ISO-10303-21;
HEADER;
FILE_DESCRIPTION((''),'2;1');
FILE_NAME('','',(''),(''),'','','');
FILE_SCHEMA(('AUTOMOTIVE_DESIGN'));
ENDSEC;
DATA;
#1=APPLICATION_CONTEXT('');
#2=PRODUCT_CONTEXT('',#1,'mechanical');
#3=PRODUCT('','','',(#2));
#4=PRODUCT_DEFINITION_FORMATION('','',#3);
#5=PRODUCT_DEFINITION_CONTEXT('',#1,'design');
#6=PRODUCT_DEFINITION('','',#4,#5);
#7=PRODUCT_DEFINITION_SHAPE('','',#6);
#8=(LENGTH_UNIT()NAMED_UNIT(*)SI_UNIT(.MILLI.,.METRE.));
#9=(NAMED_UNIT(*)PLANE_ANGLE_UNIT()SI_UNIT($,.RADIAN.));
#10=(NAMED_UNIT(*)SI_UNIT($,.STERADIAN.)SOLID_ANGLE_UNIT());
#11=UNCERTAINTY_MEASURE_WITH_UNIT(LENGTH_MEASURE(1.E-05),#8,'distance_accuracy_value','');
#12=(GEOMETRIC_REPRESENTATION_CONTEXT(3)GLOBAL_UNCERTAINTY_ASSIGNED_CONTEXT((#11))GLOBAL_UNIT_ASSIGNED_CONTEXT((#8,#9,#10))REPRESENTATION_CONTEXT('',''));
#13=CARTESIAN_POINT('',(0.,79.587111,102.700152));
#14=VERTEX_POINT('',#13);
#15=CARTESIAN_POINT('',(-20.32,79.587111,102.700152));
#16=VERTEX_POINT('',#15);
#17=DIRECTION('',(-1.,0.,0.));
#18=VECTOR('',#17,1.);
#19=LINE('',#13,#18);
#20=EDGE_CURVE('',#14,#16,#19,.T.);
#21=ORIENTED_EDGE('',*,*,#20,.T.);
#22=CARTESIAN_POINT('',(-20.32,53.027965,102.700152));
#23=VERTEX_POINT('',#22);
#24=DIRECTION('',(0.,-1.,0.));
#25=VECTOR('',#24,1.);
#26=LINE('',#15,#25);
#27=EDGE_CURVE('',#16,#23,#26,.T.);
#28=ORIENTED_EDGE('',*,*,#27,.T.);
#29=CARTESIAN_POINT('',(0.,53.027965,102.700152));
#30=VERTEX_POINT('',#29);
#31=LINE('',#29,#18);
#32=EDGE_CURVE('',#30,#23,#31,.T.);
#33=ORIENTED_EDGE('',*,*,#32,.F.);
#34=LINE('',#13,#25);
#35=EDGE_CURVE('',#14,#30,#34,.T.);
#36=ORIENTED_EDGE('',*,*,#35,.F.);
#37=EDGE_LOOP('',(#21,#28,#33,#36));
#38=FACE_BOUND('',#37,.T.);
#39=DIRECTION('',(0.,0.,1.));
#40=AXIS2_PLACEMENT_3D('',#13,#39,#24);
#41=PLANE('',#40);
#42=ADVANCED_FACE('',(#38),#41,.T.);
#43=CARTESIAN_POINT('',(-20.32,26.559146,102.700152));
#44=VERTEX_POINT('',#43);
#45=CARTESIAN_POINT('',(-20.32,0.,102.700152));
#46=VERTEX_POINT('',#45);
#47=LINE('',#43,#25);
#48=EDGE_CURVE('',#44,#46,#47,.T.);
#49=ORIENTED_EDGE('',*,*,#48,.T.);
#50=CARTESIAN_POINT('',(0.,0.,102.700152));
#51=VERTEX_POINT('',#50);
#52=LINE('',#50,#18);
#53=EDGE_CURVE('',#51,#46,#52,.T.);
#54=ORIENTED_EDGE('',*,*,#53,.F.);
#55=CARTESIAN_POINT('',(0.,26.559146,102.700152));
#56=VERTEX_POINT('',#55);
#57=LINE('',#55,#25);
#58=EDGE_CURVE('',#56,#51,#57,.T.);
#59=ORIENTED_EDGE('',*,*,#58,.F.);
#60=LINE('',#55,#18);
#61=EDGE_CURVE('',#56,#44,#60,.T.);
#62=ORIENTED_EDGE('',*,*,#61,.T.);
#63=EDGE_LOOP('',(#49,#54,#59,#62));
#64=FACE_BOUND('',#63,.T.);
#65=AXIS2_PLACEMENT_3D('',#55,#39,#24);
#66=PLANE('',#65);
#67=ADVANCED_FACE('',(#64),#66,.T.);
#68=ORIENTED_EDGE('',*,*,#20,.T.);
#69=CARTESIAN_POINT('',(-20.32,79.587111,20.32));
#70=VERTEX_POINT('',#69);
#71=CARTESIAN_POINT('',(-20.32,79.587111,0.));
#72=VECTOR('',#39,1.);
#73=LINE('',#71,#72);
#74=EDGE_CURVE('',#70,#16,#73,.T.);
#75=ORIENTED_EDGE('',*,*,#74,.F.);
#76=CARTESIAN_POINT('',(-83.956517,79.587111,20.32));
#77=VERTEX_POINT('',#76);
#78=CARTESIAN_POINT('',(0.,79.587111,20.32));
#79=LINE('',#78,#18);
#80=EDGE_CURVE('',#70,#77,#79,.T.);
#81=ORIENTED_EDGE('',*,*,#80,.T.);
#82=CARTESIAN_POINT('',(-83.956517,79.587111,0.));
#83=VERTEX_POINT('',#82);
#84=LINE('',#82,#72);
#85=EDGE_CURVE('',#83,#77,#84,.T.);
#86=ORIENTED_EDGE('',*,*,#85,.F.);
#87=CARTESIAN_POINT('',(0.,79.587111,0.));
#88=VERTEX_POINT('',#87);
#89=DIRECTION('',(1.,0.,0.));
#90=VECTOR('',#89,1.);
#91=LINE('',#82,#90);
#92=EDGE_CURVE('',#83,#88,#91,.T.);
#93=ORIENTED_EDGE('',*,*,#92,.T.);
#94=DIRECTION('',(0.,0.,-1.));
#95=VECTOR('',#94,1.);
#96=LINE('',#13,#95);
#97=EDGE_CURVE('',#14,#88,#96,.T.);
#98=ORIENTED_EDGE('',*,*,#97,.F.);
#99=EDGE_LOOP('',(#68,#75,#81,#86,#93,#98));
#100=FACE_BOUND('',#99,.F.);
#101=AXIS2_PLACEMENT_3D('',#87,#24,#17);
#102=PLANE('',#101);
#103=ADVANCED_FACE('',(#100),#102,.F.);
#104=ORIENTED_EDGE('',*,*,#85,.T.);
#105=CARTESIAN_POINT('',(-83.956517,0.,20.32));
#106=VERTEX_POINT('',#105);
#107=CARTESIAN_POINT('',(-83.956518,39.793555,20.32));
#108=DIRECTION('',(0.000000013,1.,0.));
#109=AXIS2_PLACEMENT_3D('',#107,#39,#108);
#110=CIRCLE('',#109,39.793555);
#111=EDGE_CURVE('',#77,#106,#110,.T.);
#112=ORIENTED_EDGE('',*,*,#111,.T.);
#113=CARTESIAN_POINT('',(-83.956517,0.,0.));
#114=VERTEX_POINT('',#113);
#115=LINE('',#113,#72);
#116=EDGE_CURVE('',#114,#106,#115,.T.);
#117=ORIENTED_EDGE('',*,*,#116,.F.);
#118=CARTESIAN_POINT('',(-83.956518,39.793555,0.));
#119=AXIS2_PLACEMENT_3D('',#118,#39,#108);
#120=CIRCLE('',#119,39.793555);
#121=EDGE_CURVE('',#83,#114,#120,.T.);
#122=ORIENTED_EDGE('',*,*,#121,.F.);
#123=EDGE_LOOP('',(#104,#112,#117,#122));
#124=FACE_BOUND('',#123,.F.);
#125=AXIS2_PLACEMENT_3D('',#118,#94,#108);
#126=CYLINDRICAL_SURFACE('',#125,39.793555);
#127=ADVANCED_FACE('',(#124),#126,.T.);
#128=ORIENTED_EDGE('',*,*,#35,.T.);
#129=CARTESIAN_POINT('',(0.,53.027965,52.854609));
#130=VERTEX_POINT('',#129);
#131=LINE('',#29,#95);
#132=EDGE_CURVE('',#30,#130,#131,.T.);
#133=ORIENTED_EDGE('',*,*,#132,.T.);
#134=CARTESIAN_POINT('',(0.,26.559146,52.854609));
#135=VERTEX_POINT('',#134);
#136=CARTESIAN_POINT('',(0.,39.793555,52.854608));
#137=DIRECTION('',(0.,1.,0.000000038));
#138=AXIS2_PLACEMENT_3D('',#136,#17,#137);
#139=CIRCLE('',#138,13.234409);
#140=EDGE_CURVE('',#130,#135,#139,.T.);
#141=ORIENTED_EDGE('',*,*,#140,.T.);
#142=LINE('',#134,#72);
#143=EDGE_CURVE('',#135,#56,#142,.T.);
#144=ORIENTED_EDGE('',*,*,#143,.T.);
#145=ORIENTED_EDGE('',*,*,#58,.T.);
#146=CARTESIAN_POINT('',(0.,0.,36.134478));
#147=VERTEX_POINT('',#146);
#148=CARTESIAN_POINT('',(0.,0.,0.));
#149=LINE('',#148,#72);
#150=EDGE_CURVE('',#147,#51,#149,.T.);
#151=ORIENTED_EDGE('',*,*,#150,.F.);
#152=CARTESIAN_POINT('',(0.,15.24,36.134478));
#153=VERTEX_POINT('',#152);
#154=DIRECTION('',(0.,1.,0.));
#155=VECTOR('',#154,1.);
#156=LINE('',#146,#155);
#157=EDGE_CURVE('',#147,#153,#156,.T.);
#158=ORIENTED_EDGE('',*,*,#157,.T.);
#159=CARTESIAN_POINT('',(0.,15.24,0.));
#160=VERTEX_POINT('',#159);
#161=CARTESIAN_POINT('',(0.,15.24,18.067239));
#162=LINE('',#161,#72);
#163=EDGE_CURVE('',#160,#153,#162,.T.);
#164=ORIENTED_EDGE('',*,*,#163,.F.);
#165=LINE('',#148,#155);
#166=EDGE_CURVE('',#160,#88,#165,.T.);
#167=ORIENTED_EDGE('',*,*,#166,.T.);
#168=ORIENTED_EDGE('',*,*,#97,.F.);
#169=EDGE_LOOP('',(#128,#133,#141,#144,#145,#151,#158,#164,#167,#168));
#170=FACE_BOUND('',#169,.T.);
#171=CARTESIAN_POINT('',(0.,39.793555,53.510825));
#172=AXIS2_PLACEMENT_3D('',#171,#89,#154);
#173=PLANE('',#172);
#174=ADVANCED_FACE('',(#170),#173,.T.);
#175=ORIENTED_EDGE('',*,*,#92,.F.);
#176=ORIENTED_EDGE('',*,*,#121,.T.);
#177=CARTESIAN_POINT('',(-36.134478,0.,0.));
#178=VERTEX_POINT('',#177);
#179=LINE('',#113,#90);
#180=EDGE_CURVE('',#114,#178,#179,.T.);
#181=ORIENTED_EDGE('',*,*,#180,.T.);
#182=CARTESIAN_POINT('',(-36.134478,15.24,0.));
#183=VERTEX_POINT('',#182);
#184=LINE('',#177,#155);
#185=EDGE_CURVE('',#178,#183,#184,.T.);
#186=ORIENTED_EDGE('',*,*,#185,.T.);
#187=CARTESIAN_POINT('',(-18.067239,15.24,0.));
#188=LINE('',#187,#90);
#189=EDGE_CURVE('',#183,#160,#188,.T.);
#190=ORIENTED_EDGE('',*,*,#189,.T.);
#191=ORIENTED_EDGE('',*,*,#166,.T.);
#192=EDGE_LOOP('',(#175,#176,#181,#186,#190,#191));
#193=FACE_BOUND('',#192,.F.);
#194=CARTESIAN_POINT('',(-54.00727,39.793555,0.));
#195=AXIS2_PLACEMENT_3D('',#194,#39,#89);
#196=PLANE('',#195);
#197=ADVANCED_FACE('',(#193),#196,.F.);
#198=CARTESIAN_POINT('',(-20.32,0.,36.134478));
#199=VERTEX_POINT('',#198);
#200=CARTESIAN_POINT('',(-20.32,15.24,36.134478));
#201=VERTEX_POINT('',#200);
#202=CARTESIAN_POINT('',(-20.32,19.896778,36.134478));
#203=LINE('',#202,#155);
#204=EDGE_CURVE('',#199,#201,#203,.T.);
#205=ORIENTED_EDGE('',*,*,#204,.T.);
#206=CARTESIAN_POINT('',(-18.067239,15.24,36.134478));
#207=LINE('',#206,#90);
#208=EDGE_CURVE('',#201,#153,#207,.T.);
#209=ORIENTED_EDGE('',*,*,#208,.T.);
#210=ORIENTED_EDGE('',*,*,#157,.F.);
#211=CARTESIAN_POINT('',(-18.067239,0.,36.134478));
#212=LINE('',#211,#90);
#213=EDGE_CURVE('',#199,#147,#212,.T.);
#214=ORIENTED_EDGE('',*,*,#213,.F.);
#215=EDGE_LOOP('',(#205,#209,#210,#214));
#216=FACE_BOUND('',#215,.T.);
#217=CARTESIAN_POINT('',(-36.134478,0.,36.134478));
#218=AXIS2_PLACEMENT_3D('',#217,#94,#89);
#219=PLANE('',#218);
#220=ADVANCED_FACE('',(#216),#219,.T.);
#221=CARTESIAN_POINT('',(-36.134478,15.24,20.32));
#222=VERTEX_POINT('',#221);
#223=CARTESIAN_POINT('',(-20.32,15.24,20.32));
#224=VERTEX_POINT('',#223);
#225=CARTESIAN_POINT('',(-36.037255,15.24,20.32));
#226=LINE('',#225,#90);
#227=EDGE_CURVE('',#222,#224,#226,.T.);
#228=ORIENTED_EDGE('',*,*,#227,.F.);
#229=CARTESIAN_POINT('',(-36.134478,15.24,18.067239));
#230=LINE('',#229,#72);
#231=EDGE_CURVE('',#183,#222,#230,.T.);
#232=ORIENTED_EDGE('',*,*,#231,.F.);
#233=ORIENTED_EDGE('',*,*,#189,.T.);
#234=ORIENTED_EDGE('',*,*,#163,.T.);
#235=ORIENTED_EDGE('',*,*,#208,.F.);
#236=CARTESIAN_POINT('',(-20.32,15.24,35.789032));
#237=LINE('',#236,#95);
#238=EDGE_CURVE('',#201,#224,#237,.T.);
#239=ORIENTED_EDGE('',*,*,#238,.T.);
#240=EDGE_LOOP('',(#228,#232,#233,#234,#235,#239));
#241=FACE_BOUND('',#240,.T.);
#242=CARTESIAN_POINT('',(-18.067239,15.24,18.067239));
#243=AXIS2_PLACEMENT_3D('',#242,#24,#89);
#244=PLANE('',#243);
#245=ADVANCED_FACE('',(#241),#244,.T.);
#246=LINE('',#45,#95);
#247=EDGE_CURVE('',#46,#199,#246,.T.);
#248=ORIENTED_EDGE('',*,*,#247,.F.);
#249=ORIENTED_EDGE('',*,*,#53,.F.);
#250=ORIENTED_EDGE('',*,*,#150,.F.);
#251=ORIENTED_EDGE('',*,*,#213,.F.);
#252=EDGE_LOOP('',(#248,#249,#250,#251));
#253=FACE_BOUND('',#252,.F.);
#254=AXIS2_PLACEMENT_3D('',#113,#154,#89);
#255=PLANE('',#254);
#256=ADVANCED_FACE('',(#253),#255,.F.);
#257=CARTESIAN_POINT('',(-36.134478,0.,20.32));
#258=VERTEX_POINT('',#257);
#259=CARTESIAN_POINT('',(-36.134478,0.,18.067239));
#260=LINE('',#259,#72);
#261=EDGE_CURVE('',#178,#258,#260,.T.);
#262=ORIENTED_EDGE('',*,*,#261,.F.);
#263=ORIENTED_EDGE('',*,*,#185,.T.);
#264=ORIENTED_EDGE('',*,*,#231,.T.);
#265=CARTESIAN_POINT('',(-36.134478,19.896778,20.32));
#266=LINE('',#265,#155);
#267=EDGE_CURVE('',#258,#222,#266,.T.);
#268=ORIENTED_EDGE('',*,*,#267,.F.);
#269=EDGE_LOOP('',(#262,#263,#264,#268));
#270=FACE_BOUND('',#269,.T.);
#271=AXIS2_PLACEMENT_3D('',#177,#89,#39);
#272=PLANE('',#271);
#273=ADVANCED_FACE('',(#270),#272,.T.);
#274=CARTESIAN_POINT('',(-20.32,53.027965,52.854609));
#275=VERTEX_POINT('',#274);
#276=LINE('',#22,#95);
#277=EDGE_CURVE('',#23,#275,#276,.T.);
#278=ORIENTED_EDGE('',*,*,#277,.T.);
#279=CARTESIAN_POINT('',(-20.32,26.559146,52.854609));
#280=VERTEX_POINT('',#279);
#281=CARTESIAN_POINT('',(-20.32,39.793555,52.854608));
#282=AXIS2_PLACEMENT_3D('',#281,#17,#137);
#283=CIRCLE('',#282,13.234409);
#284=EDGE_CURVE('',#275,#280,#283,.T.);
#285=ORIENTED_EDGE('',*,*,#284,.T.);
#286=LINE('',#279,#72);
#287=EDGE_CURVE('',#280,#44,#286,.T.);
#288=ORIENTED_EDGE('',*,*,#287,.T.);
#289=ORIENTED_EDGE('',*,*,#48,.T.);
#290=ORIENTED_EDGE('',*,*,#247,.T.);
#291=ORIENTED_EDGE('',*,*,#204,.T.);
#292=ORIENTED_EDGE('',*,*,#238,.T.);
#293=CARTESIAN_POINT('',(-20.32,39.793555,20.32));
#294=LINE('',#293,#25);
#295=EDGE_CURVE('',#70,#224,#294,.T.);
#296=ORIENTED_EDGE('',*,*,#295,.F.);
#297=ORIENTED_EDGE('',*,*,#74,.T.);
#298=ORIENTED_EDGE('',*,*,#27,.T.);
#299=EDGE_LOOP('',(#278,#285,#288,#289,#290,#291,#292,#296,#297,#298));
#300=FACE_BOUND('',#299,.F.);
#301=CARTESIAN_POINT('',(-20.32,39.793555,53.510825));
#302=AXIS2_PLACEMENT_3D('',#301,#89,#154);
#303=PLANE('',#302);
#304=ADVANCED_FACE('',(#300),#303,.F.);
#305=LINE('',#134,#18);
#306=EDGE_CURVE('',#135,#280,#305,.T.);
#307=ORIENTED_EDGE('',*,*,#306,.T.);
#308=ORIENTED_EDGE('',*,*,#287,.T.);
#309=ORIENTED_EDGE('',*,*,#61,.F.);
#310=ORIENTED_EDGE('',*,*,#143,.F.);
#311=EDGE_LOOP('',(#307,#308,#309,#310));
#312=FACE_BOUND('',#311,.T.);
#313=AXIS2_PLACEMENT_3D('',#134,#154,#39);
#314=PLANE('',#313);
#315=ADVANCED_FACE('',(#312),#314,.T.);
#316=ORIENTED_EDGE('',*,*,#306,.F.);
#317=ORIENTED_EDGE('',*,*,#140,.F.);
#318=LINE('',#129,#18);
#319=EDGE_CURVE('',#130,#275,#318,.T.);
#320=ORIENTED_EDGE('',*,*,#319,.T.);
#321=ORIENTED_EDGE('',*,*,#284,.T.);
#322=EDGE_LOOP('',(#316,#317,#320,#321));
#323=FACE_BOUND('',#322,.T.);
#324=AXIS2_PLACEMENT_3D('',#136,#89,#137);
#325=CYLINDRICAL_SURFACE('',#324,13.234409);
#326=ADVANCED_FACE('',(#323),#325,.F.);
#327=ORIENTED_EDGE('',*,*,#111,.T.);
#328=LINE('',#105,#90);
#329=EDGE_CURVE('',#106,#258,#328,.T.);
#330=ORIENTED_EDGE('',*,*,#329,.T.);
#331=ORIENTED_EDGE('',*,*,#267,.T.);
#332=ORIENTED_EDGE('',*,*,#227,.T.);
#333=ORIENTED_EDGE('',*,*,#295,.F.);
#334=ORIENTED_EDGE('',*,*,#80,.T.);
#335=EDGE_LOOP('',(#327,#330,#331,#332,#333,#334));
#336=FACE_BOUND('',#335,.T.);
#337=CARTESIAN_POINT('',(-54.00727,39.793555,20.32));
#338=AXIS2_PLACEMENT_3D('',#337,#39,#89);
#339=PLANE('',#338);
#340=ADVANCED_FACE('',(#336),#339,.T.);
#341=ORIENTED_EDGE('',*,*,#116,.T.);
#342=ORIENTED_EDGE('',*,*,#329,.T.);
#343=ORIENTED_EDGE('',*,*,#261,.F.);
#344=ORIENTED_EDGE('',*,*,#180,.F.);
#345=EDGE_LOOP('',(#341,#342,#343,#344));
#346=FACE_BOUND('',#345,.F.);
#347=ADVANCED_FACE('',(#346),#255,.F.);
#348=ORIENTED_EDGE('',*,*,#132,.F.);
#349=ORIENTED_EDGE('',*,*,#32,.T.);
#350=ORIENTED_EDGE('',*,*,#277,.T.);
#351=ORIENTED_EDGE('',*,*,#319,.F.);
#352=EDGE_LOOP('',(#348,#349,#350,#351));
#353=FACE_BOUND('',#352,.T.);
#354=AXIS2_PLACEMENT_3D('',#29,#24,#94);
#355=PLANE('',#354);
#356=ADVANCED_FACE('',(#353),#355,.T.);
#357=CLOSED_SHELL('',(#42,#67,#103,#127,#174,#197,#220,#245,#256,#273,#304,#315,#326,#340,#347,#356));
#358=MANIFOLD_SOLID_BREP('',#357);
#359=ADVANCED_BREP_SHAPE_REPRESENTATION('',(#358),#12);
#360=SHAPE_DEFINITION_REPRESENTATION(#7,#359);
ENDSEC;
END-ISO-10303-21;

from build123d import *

# Parameters (mm, degrees)
F1_DEPTH = 20.32
F3_DEPTH = 20.32
F4_W     = 36.134478
F4_H     = 36.134478
F5_DEPTH = 15.24


with BuildPart() as f1:
    # F0 (on Right) → F1 (new body)
    with BuildSketch(Plane.YZ):
        with BuildLine():
            Line((0, 102.700152), (0, 0))
            Line((0, 0), (79.587111, 0))
            Line((79.587111, 0), (79.587111, 102.700152))
            Line((79.587111, 102.700152), (53.027965, 102.700152))
            Line((53.027965, 102.700152), (53.027965, 52.854609))
            ThreePointArc((53.027965, 52.854609), (39.793556, 39.620199), (26.559146, 52.854609))
            Line((26.559146, 52.854609), (26.559146, 102.700152))
            Line((26.559146, 102.700152), (0, 102.700152))
        make_face()
    extrude(amount=-F1_DEPTH)

    # F2 (on Top) → F3 (join)
    with BuildSketch(Plane.XY):
        with BuildLine():
            Line((-83.956517, 0), (0, 0))
            Line((0, 0), (0, 79.587111))
            Line((0, 79.587111), (-83.956517, 79.587111))
            ThreePointArc((-83.956517, 79.587111), (-123.750073, 39.793556), (-83.956517, 0))
        make_face()
    extrude(amount=F3_DEPTH)

    # F4 (on Front) → F5 (cut)
    with BuildSketch(Plane.XZ):
        with Locations((-18.067239, 18.067239)):
            Rectangle(F4_W, F4_H)
    extrude(amount=-F5_DEPTH, mode=Mode.SUBTRACT)


solid = f1.part
